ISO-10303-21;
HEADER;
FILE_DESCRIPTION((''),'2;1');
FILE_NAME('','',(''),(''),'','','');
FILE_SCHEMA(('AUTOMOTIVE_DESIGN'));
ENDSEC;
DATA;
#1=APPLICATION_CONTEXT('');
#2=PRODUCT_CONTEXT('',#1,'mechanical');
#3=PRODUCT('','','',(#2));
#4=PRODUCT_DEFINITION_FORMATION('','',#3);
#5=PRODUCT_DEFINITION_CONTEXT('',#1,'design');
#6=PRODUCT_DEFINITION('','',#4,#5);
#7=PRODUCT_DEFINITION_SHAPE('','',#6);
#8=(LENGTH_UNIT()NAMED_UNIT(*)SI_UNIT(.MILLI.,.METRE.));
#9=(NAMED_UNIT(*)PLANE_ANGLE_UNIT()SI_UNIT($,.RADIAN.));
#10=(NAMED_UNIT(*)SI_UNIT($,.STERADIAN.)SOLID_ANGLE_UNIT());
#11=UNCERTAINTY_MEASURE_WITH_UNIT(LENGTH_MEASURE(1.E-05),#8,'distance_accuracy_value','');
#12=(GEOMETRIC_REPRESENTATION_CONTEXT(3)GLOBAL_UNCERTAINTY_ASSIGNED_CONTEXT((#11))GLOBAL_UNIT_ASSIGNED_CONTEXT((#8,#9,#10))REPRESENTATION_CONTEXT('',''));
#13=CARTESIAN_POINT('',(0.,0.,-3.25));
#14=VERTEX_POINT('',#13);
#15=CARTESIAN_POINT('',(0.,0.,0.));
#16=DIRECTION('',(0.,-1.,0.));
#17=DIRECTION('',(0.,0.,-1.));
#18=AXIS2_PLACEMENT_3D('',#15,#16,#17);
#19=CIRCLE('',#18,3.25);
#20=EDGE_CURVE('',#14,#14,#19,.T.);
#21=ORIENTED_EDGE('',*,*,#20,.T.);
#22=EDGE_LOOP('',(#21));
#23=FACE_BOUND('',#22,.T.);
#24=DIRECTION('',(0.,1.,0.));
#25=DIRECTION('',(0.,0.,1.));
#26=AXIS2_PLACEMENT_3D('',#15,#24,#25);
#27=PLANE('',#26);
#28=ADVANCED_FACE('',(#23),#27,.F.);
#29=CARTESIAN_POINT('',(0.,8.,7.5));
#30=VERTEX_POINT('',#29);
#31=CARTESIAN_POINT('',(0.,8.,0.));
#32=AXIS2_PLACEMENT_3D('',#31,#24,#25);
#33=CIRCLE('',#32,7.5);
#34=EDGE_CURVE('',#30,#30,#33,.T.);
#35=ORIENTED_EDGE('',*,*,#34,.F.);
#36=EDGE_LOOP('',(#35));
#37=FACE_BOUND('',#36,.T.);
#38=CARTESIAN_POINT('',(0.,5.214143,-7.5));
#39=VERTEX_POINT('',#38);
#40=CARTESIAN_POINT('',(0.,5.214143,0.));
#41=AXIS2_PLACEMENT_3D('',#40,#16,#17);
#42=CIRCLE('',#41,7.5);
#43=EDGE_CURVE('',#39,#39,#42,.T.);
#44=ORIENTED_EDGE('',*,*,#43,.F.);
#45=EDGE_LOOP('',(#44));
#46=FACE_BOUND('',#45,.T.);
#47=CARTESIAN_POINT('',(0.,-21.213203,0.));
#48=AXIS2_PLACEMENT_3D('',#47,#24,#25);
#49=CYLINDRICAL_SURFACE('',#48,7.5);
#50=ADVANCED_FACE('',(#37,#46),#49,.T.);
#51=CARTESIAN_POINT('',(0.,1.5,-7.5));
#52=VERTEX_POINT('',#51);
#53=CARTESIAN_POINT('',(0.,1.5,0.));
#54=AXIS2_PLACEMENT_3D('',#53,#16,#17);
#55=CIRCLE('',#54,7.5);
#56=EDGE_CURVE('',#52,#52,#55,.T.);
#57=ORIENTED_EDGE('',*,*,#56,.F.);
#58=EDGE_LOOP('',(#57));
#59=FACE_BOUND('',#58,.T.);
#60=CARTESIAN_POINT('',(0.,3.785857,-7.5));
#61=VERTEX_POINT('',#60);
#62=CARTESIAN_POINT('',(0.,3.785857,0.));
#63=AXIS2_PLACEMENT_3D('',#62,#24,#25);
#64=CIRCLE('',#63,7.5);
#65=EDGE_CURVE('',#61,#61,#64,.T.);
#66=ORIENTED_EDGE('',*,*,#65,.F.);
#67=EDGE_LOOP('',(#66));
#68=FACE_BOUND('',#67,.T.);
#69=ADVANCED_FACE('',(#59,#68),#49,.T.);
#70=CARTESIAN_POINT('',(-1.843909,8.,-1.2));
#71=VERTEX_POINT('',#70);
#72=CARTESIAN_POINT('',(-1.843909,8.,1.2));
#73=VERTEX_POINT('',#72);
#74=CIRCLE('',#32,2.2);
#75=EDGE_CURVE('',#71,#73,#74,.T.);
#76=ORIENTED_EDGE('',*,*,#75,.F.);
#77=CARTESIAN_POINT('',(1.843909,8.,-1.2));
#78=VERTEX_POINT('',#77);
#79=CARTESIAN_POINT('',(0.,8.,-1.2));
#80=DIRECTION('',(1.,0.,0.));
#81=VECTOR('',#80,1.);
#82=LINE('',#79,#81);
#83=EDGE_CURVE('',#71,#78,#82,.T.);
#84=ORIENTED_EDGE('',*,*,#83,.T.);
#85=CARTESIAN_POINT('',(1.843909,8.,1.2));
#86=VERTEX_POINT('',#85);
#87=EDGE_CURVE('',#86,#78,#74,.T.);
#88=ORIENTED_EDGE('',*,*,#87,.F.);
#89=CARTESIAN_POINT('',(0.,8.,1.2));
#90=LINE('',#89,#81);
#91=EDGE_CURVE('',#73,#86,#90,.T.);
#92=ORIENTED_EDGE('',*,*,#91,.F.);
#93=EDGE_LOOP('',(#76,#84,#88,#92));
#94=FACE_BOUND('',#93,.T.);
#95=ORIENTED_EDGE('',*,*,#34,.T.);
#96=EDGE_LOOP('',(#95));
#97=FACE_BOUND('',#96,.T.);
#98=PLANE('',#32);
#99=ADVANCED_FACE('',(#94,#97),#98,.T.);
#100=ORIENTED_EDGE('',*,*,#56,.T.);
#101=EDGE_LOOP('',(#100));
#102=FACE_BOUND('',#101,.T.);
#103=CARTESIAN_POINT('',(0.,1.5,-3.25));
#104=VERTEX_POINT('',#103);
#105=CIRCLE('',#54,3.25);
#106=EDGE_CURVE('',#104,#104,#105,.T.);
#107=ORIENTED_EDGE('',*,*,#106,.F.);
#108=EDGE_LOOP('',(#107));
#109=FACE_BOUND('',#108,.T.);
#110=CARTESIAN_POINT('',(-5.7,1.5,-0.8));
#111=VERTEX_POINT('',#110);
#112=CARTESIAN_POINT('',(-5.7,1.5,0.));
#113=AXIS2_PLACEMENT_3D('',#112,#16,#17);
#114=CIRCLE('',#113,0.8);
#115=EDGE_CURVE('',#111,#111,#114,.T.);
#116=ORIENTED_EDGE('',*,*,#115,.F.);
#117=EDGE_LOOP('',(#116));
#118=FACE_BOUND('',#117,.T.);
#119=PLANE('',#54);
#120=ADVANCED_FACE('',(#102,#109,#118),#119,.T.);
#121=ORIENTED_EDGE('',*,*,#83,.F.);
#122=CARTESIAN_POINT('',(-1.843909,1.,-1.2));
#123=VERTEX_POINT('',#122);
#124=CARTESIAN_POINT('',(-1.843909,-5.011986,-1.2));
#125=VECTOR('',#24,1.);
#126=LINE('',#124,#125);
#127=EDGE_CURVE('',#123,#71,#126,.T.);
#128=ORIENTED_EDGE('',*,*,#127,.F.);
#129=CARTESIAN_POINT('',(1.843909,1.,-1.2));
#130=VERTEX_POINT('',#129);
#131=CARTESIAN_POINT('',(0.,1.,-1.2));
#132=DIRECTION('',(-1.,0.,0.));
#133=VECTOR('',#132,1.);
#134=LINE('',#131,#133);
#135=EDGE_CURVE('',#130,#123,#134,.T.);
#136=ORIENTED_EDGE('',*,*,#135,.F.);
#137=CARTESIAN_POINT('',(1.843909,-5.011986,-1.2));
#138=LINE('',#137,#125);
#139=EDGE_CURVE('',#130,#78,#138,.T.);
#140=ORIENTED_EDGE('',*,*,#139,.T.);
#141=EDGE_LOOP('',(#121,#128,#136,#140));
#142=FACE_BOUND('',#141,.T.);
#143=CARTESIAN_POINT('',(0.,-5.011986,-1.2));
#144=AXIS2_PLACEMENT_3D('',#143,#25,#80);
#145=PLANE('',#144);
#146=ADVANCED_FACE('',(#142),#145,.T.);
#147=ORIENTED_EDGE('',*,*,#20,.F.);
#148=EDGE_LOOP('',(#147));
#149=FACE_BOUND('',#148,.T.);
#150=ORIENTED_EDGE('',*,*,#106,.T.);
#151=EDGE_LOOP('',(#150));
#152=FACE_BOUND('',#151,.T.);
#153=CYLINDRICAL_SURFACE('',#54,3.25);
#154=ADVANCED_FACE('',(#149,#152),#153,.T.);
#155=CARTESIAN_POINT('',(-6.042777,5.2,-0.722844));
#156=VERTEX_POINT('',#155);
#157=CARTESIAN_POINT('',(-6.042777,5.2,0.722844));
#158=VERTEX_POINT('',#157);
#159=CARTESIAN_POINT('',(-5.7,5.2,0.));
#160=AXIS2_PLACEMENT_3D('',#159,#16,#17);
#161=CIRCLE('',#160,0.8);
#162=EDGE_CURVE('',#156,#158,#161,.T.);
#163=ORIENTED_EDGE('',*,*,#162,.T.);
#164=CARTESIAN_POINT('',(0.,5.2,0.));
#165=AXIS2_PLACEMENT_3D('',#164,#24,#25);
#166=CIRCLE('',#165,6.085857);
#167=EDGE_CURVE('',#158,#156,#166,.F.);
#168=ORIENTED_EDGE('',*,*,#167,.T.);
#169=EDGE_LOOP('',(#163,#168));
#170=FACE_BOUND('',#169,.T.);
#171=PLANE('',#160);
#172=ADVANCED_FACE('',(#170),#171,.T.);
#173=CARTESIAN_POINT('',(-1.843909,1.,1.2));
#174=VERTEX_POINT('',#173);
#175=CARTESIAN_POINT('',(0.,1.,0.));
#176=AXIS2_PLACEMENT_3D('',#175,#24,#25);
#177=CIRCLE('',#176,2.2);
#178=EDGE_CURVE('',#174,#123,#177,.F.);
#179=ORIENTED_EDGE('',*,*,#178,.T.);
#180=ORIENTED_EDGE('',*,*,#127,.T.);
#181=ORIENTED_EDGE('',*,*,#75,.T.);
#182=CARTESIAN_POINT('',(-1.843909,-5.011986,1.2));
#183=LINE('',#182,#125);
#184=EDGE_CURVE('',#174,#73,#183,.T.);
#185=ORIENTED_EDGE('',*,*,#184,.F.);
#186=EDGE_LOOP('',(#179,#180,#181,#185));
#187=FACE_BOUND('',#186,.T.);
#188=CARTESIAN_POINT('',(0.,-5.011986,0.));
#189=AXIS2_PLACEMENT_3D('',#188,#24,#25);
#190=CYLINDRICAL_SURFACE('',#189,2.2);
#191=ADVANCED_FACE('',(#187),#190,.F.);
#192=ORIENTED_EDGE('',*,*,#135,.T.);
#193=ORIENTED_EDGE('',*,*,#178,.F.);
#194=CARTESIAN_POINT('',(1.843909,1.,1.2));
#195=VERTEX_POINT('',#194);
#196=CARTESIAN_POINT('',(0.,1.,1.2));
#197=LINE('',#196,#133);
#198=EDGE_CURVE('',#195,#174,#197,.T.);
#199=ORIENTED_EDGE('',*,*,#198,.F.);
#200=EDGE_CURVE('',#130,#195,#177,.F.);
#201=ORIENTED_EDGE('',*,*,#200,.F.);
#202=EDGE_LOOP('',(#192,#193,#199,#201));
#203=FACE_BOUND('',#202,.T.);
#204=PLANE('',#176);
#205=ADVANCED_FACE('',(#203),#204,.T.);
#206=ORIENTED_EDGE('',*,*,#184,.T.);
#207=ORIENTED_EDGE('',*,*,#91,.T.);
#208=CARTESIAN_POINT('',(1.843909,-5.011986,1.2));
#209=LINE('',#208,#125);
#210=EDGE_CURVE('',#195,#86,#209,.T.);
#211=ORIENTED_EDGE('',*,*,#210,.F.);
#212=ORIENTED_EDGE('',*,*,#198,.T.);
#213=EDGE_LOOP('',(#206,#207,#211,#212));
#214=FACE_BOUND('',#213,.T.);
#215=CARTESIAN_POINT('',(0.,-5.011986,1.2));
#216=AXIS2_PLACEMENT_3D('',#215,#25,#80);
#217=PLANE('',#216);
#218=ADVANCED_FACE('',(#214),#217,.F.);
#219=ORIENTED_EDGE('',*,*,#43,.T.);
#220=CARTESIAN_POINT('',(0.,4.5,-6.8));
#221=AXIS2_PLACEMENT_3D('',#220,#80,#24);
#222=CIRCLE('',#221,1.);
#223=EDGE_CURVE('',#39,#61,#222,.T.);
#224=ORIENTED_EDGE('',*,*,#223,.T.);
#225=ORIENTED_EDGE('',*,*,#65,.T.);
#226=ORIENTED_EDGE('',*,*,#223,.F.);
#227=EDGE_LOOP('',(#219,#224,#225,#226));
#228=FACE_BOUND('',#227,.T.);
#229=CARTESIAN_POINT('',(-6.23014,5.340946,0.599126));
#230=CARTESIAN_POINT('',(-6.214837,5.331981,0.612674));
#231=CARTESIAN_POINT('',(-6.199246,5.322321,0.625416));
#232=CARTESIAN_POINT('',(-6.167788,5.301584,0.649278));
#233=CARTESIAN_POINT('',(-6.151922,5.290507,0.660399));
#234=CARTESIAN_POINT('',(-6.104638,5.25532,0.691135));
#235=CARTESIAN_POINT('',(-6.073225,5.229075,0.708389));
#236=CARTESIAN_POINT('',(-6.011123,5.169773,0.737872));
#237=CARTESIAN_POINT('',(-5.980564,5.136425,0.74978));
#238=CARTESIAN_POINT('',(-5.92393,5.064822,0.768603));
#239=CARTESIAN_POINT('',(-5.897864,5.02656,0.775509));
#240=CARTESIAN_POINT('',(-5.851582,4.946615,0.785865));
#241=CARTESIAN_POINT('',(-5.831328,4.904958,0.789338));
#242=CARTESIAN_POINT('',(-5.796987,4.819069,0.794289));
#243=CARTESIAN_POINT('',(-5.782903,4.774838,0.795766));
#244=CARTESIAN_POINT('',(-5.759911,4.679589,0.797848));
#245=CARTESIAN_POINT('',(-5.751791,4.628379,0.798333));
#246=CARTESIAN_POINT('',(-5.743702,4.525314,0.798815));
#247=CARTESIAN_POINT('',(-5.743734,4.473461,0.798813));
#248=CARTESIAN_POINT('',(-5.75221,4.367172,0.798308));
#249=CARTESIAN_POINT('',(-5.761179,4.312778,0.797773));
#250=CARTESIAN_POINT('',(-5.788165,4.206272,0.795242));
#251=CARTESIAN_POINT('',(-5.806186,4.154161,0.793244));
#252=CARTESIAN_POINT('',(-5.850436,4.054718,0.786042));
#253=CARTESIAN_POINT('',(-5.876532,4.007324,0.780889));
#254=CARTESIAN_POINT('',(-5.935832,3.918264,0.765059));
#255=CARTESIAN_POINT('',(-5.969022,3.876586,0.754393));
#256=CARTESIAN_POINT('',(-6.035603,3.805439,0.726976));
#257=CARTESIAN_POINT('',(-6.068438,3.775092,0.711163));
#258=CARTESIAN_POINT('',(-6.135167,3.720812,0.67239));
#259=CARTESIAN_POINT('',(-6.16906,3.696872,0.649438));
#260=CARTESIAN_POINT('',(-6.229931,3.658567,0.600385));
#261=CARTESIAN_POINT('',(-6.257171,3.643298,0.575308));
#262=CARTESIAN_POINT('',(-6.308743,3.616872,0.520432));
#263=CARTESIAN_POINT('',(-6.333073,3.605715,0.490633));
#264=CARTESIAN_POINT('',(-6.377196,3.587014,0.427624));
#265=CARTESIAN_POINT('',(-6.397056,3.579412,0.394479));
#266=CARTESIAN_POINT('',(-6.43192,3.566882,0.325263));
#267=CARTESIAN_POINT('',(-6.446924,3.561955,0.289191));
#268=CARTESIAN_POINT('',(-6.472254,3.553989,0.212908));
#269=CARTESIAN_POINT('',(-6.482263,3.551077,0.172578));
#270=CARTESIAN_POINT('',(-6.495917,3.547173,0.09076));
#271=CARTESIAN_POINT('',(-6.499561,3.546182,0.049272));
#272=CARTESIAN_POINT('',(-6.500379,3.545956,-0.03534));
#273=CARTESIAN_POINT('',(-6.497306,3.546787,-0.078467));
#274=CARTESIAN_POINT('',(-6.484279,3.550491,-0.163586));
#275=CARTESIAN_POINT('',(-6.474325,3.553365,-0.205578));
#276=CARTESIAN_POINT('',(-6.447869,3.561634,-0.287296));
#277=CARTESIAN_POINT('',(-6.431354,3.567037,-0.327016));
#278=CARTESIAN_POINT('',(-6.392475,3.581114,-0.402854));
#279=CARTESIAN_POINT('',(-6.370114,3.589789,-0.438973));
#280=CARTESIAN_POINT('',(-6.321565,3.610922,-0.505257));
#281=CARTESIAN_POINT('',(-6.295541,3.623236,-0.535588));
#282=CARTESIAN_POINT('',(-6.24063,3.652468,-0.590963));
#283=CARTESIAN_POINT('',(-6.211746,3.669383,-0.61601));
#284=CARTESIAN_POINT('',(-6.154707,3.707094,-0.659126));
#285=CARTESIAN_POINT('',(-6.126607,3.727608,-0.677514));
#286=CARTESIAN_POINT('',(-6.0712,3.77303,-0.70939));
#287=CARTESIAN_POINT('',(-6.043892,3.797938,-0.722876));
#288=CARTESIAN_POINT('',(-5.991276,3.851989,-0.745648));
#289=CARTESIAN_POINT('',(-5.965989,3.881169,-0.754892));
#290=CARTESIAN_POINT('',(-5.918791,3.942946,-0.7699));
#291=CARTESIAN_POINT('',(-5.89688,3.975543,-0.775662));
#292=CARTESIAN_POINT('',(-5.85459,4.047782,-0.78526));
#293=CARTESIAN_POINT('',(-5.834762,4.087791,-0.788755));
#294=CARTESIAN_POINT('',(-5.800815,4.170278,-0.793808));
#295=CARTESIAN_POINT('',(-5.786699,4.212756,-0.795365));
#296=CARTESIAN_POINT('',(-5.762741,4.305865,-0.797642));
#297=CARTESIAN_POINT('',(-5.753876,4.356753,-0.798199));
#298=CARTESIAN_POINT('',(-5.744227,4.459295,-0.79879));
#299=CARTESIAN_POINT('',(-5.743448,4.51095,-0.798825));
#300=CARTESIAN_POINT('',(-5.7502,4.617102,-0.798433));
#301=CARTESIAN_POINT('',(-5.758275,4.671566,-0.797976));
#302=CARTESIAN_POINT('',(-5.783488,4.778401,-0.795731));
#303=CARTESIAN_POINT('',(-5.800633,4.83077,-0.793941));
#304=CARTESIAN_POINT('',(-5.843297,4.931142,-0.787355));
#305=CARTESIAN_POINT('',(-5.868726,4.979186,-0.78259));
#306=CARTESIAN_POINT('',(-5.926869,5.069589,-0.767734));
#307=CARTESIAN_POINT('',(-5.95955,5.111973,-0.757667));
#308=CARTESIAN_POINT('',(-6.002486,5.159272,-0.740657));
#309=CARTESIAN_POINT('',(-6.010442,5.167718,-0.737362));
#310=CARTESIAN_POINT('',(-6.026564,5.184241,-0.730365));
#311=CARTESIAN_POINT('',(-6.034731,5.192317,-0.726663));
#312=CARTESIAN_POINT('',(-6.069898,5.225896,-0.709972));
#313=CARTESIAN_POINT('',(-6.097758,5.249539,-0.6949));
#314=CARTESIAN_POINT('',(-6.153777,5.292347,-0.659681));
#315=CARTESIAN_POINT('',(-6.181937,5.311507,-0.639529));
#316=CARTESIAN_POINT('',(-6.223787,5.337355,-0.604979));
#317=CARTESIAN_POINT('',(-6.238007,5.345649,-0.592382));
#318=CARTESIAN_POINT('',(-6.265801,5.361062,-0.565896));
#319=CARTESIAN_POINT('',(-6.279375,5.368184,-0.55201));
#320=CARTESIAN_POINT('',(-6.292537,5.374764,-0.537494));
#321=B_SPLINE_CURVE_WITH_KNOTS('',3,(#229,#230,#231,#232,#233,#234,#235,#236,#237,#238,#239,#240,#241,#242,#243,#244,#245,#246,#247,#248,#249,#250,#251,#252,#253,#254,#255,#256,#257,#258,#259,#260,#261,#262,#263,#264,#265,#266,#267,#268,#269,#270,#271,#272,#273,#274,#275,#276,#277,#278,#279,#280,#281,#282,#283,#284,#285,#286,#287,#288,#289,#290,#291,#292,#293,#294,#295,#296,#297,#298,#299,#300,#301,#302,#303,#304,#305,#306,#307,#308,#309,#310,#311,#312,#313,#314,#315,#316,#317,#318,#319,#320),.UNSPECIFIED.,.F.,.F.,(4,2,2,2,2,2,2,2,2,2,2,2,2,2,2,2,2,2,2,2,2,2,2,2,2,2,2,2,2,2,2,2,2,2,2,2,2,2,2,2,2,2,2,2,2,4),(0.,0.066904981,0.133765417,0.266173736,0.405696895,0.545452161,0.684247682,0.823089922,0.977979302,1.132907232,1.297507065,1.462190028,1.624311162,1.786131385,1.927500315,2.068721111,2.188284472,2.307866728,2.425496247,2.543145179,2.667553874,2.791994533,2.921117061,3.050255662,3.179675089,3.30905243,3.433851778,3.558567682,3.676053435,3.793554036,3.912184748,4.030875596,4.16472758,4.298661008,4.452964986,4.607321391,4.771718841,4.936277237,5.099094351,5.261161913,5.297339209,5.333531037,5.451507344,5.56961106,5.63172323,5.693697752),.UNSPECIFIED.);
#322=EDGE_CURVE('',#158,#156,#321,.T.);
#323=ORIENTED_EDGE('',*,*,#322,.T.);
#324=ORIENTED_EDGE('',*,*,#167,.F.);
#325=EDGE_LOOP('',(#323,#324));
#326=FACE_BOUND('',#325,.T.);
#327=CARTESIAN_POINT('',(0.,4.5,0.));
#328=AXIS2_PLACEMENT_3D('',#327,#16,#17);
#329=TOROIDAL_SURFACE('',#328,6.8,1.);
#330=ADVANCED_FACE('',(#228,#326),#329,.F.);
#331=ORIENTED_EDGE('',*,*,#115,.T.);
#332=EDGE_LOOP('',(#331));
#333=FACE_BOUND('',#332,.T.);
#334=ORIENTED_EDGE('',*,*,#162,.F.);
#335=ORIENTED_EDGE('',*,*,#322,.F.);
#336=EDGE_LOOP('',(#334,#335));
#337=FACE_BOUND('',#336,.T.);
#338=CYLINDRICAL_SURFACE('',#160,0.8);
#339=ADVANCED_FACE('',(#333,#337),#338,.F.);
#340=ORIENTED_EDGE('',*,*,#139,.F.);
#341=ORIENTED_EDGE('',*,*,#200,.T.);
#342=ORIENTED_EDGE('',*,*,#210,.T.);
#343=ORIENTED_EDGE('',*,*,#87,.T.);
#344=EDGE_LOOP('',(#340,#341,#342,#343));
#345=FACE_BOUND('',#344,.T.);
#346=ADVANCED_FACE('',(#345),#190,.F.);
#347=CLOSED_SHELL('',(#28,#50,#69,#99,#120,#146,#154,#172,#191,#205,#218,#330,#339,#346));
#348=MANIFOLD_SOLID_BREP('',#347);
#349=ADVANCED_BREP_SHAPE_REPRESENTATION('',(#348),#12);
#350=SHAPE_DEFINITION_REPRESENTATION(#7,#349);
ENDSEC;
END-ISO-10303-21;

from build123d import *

# Parameters (mm, degrees)
SKETCH_1_R          = 2.75
EXTRUDE_1_DEPTH     = 8
CUT_EXTRUDE_1_DEPTH = 7
EXTRUDE_2_DEPTH     = 3.5
EXTRUDE_START       = -8
SKETCH_5_R          = 7.5
SKETCH_5_R_2        = 2.75
EXTRUDE_3_DEPTH     = 8
SWEEP_1_PROFILE_R   = 1
SKETCH_47_R         = 7.5
SKETCH_47_R_2       = 3.25
CUT_EXTRUDE_3_DEPTH = 1.5
SKETCH_48_R         = 0.8
CUT_EXTRUDE_4_DEPTH = 3.7
CUT_EXTRUDE_6_DEPTH = 3.5


with BuildPart() as part:
    # 草图1 → 凸台-拉伸1 (new body)
    with BuildSketch(Plane(origin=(0, 0, 0), x_dir=(1, 0, 0), z_dir=(0, 1, 0))):
        with Locations(Location((0, 0, 0), (0, 0, 270))):
            Circle(SKETCH_1_R)
    extrude(amount=EXTRUDE_1_DEPTH)

    # 草图2 → 切除-拉伸1 (cut)
    with BuildSketch(Plane(origin=(0, 8, 0), x_dir=(1, 0, 0), z_dir=(0, 1, 0))):
        with BuildLine():
            Line((1.843908891, 1.2), (-1.843908891, 1.2))
            ThreePointArc((-1.843908891, 1.2), (-2.2, 0), (-1.843908891, -1.2))
            Line((-1.843908891, -1.2), (1.843908891, -1.2))
            ThreePointArc((1.843908891, -1.2), (2.109099282, -0.625859584), (2.2, 0))
            ThreePointArc((2.2, 0), (2.109099282, 0.625859584), (1.843908891, 1.2))
        make_face()
    extrude(amount=-CUT_EXTRUDE_1_DEPTH, mode=Mode.SUBTRACT)

    # 草图4 → 凸台-拉伸2 (add)
    with BuildSketch(Plane(origin=(0, 8, 0), x_dir=(1, 0, 0), z_dir=(0, 1, 0))):
        with BuildLine():
            ThreePointArc((1.6, 1.2), (0, 2), (-1.6, 1.2))
            Line((-1.6, 1.2), (1.6, 1.2))
        make_face()
        with BuildLine():
            ThreePointArc((-1.6, -1.2), (0, -2), (1.6, -1.2))
            Line((1.6, -1.2), (-1.6, -1.2))
        make_face()
    extrude(amount=EXTRUDE_2_DEPTH)

    # 草图5 → 凸台-拉伸3 (add)
    with BuildSketch(Plane(origin=(0, 8, 0), x_dir=(1, 0, 0), z_dir=(0, 1, 0)).offset(EXTRUDE_START)):
        with Locations(Location((0, 0, 0), (0, 0, 270))):
            Circle(SKETCH_5_R)
        Circle(SKETCH_5_R_2, mode=Mode.SUBTRACT)
    extrude(amount=EXTRUDE_3_DEPTH)

    # 切除-扫描1: sweep along a path in 草图16
    with BuildLine(Plane(origin=(0, 4.5, 0), x_dir=(-1, 0, 0), z_dir=(0, -1, 0))) as sweep_1_path:
        CenterArc((0, 0), 6.8, 0, 360)
    # 切除-扫描1 profile (on start of the path) → 切除-扫描1 (sweep, cut)
    with BuildSketch(Plane(origin=(-6.8, 4.5, 0), x_dir=(-1, 0, 0), z_dir=(0, 0, -1))):
        Circle(SWEEP_1_PROFILE_R)
    sweep(path=sweep_1_path.line, mode=Mode.SUBTRACT)

    # 草图47 → 切除-拉伸3 (cut)
    with BuildSketch(Plane.XZ):
        with Locations(Location((0, 0, 0), (0, 0, 270))):
            Circle(SKETCH_47_R)
        with Locations(Location((0, 0, 0), (0, 0, 270))):
            Circle(SKETCH_47_R_2, mode=Mode.SUBTRACT)
    extrude(amount=-CUT_EXTRUDE_3_DEPTH, mode=Mode.SUBTRACT)

    # 草图48 → 切除-拉伸4 (cut)
    with BuildSketch(Plane.XZ.offset(-1.5)):
        with Locations(Location((-5.7, 0, 0), (0, 0, 270))):
            Circle(SKETCH_48_R)
    extrude(amount=-CUT_EXTRUDE_4_DEPTH, mode=Mode.SUBTRACT)

    # 草图56 → 切除-拉伸6 (cut)
    with BuildSketch(Plane(origin=(0, 8, 0), x_dir=(1, 0, 0), z_dir=(0, 1, 0))):
        with BuildLine():
            Line((1.6, -1.2), (-1.6, -1.2))
            ThreePointArc((-1.6, -1.2), (0, -2), (1.6, -1.2))
        make_face()
        with BuildLine():
            Line((-1.6, 1.2), (1.6, 1.2))
            ThreePointArc((1.6, 1.2), (0, 2), (-1.6, 1.2))
        make_face()
    extrude(amount=CUT_EXTRUDE_6_DEPTH, mode=Mode.SUBTRACT)


solid = part.part
